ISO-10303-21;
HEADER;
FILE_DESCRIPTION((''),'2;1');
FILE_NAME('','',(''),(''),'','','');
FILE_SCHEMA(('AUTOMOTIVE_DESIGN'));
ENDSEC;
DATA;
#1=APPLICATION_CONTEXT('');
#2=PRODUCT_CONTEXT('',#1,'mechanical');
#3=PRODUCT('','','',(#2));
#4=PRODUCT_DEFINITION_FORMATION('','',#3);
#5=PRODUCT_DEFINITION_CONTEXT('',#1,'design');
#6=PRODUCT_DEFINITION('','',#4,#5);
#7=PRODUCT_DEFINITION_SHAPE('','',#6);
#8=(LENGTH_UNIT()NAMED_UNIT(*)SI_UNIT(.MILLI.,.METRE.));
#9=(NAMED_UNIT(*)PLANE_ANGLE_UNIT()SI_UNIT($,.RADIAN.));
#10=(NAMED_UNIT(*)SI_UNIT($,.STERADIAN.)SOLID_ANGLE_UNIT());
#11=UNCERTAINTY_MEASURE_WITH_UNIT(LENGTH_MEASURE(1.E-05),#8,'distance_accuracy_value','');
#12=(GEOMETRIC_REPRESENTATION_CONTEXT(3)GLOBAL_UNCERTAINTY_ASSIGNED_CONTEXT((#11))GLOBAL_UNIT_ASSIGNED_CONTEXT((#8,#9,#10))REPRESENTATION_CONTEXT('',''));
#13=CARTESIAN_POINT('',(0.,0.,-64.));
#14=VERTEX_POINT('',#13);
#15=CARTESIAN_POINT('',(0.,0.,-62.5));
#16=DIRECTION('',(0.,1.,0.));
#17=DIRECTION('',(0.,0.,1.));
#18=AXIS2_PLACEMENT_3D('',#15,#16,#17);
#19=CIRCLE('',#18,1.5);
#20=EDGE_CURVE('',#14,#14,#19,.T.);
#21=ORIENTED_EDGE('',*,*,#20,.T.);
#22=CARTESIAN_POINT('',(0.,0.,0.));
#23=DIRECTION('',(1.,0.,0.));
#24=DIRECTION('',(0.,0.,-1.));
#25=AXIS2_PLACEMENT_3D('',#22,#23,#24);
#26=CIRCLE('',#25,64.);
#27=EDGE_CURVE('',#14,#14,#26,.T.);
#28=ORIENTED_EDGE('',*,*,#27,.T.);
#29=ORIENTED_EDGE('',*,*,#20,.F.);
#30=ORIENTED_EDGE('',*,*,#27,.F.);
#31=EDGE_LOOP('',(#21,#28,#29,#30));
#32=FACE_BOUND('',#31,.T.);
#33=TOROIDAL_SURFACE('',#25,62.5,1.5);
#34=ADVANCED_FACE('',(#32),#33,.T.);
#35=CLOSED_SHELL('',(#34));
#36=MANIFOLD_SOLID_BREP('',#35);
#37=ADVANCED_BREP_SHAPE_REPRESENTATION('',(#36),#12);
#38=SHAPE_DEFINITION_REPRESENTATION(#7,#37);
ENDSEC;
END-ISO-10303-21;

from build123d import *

# Parameters (mm, degrees)
WYCI_GNI_CIE_PO_CIE_CE1_PROFILE_R = 1.5


with BuildPart() as part:
    # Wyciągnięcie po ścieżce1: sweep along a path in Szkic1
    with BuildLine(Plane(origin=(0, 0, 0), x_dir=(0, 0, -1), z_dir=(1, 0, 0))) as wyci_gni_cie_po_cie_ce1_path:
        CenterArc((0, 0), 62.5, 0, 360)
    # Wyciągnięcie po ścieżce1 profile (on start of the path) → Wyciągnięcie po ścieżce1 (sweep)
    with BuildSketch(Plane(origin=(0, 0, -62.5), x_dir=(0, 0, 1), z_dir=(0, 1, 0))):
        Circle(WYCI_GNI_CIE_PO_CIE_CE1_PROFILE_R)
    sweep(path=wyci_gni_cie_po_cie_ce1_path.line)


solid = part.part
